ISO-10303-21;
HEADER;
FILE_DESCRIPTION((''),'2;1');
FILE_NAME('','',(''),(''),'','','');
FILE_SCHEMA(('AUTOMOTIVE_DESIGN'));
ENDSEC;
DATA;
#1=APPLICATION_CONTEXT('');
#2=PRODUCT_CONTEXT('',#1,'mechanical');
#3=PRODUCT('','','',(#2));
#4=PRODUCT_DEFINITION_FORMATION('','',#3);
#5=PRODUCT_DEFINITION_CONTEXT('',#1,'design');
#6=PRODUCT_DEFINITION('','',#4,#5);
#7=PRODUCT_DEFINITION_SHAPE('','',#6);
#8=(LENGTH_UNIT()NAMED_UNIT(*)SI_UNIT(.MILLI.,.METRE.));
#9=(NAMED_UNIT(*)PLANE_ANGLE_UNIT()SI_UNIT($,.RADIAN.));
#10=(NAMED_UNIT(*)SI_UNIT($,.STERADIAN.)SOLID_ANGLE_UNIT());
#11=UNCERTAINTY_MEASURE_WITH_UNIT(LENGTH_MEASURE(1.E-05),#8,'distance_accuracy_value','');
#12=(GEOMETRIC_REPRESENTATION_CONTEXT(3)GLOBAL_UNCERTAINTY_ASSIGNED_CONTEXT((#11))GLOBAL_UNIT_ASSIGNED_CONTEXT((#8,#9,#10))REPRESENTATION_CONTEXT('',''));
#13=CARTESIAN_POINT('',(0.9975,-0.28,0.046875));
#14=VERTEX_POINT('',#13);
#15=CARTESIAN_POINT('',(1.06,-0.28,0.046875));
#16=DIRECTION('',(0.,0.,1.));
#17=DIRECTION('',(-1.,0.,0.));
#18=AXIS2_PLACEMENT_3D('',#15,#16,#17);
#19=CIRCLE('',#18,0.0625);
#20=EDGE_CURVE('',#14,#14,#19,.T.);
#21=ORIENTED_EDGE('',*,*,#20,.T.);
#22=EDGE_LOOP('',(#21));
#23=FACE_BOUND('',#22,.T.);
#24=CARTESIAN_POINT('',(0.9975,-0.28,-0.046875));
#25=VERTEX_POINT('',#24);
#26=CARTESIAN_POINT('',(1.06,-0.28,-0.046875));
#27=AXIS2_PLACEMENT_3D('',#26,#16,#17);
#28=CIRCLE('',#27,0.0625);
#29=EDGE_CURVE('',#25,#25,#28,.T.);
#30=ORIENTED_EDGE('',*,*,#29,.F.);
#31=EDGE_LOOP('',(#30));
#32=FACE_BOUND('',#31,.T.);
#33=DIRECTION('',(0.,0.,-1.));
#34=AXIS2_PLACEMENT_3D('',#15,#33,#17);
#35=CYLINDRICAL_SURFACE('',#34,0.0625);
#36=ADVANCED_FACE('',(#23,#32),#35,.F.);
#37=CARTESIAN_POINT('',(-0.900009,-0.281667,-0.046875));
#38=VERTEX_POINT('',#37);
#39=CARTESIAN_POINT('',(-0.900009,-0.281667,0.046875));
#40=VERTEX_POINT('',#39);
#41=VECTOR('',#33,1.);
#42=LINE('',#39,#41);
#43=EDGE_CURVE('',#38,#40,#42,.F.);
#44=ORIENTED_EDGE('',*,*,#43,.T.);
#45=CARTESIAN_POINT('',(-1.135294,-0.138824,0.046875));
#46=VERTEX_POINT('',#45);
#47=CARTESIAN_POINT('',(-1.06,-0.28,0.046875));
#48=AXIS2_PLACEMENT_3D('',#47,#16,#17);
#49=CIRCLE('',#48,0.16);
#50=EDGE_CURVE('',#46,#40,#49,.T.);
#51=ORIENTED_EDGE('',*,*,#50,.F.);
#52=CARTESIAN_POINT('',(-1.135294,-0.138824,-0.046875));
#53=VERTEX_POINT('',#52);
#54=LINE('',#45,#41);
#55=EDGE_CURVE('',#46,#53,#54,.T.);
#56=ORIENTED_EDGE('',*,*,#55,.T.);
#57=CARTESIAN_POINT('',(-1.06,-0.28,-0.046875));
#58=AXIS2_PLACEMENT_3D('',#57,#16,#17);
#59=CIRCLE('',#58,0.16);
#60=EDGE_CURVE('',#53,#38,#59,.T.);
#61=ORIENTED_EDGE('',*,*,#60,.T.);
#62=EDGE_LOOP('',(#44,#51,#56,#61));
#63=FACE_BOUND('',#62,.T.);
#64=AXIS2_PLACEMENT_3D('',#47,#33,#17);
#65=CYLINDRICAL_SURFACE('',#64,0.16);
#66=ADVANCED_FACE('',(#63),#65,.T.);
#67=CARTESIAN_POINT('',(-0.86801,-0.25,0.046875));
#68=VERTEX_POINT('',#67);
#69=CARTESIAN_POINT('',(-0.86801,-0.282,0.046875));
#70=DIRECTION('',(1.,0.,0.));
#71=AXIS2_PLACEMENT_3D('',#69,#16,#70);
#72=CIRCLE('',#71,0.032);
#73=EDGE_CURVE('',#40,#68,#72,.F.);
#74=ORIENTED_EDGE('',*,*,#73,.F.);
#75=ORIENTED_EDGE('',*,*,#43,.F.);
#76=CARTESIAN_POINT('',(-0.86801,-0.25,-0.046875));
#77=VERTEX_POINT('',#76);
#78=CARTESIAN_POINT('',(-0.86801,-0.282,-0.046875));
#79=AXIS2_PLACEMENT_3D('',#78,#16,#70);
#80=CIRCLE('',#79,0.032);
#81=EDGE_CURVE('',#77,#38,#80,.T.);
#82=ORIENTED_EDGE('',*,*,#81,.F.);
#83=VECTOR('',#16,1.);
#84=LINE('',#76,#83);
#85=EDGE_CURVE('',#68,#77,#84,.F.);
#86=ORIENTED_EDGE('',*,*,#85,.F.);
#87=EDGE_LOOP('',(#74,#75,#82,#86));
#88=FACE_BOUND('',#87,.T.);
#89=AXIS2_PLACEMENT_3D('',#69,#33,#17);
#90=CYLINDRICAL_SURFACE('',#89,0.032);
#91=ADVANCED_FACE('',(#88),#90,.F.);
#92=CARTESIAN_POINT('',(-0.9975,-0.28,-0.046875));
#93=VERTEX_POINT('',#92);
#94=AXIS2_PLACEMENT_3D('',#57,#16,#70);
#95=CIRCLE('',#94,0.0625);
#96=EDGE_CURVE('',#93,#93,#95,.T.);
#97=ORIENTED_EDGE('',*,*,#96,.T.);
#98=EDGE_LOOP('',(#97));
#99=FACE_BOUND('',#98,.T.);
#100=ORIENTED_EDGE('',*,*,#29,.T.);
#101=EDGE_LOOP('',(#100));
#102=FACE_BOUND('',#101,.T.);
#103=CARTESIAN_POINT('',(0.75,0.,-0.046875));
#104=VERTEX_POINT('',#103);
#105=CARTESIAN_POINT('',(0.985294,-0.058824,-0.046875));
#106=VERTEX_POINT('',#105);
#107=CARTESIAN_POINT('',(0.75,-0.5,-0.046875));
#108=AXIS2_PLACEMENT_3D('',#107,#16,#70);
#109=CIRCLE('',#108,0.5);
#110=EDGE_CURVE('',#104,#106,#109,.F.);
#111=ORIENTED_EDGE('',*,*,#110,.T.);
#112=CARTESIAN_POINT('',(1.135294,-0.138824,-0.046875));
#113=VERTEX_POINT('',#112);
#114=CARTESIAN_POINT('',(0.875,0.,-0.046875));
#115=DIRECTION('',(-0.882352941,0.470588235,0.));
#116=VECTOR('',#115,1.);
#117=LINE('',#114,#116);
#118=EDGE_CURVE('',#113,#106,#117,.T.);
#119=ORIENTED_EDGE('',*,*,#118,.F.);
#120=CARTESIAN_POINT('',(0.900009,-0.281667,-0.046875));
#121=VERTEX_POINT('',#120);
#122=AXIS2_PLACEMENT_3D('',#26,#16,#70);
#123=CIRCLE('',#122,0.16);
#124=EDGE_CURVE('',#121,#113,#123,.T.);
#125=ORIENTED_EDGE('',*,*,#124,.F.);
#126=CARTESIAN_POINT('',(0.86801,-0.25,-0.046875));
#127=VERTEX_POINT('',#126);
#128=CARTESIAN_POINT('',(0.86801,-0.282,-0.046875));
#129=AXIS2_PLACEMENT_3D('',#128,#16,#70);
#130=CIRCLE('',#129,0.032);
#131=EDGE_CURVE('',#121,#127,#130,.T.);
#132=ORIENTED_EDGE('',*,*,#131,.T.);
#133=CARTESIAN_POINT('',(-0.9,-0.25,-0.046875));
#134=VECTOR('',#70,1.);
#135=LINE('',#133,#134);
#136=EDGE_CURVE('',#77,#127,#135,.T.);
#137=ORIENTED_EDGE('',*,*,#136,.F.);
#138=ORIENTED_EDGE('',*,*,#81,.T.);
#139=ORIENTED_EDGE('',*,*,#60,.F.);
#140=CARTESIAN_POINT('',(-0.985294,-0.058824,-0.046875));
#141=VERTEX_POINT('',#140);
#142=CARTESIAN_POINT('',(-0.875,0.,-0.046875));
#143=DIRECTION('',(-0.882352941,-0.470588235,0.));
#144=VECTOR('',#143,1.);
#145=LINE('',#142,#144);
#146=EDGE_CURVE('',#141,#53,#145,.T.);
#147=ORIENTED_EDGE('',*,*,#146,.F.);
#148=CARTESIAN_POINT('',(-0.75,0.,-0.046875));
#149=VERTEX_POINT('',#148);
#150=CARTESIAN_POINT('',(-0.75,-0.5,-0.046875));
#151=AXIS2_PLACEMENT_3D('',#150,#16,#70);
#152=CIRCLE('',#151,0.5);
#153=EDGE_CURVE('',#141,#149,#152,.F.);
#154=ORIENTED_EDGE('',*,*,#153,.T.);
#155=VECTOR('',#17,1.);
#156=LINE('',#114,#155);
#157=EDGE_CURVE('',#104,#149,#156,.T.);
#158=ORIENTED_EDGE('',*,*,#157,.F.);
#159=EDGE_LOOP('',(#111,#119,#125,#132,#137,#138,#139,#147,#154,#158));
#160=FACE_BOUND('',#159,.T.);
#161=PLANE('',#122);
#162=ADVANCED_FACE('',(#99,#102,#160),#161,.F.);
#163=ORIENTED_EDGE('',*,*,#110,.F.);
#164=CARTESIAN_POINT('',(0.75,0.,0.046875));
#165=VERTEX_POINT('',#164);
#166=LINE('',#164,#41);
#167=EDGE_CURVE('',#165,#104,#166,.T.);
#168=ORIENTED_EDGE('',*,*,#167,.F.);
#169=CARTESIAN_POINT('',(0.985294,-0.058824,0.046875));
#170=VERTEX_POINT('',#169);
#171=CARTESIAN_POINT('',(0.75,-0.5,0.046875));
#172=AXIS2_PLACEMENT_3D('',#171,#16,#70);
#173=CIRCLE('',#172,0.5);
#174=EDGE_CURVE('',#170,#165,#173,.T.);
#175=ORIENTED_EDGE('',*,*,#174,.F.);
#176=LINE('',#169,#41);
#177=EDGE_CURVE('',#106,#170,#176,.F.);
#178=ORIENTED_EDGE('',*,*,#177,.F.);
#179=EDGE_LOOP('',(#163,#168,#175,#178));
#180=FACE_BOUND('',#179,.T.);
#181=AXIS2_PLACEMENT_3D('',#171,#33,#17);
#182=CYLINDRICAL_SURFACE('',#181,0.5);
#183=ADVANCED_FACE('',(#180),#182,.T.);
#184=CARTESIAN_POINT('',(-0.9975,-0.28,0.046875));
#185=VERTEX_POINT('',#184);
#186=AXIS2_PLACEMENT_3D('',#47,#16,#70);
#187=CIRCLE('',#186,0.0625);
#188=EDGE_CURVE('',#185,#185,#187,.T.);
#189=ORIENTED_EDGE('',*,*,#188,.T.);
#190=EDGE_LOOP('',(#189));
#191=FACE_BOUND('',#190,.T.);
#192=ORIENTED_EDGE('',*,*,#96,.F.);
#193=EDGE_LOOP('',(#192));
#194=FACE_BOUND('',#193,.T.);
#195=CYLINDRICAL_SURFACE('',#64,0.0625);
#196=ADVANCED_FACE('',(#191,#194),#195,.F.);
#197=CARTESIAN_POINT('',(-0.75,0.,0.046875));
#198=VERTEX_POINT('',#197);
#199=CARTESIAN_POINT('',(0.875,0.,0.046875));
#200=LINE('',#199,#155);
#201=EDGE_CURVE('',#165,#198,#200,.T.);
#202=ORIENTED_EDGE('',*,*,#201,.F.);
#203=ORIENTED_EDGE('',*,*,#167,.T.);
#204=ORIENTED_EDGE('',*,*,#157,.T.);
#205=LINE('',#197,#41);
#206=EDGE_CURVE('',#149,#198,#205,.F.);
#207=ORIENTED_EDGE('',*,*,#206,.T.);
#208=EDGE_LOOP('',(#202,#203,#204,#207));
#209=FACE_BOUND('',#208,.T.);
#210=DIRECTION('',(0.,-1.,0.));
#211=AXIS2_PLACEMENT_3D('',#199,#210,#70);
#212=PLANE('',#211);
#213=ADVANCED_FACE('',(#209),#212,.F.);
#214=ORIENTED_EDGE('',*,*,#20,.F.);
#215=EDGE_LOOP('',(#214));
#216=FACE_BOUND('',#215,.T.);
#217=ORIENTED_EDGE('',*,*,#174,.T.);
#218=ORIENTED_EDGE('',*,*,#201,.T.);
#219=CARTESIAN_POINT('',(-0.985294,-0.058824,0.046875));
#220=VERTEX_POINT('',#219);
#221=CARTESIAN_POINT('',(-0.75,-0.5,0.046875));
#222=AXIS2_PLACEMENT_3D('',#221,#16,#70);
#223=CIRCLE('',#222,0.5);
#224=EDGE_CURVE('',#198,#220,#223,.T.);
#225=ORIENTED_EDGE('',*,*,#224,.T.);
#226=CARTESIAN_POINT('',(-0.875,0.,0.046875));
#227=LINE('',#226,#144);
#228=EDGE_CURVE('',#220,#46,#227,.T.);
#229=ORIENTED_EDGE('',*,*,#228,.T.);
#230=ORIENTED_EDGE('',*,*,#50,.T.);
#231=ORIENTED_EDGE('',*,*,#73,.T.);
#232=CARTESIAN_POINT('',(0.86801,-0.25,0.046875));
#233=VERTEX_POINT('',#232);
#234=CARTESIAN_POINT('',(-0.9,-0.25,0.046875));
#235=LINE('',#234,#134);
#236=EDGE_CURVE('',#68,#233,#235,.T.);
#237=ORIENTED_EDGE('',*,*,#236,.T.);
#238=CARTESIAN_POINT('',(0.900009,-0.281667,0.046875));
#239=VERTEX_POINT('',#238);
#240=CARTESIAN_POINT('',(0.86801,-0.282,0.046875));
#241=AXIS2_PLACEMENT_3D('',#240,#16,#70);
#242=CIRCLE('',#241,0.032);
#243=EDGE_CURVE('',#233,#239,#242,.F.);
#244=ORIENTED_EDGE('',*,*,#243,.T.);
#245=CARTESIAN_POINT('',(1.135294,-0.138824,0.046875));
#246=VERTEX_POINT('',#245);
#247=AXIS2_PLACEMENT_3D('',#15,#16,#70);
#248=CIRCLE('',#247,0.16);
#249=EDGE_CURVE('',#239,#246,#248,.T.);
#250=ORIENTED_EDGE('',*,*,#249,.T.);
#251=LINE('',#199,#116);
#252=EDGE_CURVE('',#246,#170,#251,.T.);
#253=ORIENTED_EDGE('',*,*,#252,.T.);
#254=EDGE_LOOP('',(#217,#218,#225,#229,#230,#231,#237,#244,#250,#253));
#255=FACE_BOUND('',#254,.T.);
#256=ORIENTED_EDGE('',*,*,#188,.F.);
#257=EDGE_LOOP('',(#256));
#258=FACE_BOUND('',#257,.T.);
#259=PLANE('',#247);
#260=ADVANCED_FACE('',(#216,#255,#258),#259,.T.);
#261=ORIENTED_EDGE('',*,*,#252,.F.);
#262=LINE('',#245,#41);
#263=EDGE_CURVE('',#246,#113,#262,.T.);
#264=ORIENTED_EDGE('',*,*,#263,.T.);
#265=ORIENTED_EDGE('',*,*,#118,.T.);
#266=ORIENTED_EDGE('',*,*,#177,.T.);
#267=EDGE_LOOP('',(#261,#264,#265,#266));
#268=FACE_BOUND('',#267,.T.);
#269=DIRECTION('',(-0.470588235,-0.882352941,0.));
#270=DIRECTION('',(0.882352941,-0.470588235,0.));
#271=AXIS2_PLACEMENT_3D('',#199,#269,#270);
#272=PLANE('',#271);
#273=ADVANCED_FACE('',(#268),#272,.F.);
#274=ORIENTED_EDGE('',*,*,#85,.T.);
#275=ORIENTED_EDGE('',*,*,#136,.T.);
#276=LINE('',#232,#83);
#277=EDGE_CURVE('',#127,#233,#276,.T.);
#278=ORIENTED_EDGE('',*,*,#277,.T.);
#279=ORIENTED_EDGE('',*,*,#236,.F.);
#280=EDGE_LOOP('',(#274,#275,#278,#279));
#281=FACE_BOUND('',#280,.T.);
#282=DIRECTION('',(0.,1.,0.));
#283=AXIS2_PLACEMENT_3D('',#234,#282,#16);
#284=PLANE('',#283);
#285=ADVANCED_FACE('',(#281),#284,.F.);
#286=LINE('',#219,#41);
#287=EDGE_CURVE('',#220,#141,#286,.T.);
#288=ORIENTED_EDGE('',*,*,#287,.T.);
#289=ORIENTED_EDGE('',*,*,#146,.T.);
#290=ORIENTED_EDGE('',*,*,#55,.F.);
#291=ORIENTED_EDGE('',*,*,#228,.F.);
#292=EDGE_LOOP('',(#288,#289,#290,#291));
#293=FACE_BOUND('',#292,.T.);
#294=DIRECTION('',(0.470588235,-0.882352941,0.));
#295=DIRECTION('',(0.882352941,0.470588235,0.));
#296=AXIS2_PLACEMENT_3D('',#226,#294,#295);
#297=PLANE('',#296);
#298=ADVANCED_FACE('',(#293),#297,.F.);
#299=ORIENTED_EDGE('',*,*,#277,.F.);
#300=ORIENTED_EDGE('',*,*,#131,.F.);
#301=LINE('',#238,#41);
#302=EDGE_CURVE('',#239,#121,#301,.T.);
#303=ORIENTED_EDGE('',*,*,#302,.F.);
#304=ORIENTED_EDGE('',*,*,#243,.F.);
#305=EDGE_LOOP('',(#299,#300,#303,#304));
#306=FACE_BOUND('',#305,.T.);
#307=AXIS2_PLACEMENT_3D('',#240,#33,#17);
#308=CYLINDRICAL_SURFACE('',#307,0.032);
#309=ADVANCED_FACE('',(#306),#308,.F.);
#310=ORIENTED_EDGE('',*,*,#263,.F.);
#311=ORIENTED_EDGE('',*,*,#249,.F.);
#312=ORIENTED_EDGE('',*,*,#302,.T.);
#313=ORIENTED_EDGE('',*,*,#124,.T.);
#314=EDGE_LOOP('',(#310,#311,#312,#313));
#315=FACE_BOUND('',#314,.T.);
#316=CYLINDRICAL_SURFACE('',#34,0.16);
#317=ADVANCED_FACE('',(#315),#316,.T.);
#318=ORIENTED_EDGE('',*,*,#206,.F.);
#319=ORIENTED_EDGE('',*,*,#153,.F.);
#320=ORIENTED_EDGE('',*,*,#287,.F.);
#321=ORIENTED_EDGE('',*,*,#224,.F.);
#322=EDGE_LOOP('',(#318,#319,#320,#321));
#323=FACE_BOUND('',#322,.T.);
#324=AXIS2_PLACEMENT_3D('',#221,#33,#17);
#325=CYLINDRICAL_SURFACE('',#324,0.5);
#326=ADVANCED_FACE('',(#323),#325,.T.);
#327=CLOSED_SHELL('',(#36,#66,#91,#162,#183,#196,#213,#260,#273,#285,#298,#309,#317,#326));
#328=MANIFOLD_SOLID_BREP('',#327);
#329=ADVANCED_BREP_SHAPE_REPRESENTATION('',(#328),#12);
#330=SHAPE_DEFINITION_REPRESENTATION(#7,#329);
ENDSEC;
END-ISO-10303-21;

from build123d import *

# Parameters (mm, degrees)
SKETCH1_R           = 0.0625
BOSS_EXTRUDE1_DEPTH = 0.046875
FILLET1_R           = 0.5
FILLET2_R           = 0.032


with BuildPart() as part:
    # Sketch1 → Boss-Extrude1 (new, symmetric)
    with BuildSketch(Plane.XY):
        with BuildLine():
            Line((0.875, 0), (-0.875, 0))
            Line((-0.875, 0), (-1.135294118, -0.138823529))
            ThreePointArc((-1.135294118, -0.138823529), (-1.142319321, -0.417198868), (-0.9, -0.28))
            Line((-0.9, -0.28), (-0.9, -0.25))
            Line((-0.9, -0.25), (0.9, -0.25))
            Line((0.9, -0.25), (0.9, -0.28))
            ThreePointArc((0.9, -0.28), (1.142319321, -0.417198868), (1.135294118, -0.138823529))
            Line((1.135294118, -0.138823529), (0.875, 0))
        make_face()
        with Locations((-1.06, -0.28)):
            Circle(SKETCH1_R, mode=Mode.SUBTRACT)
        with Locations(Location((1.06, -0.28, 0), (0, 0, 180))):
            Circle(SKETCH1_R, mode=Mode.SUBTRACT)
    extrude(amount=BOSS_EXTRUDE1_DEPTH, both=True)

    # Fillet1
    fillet1_edges = [part.edges().sort_by_distance(p)[0] for p in [
        (-0.875, 0, 0),
        (0.875, 0, 0),
    ]]
    fillet(fillet1_edges, radius=FILLET1_R)

    # Fillet2
    fillet2_edges = [part.edges().sort_by_distance(p)[0] for p in [
        (0.9, -0.25, 0),
        (-0.9, -0.25, 0),
    ]]
    fillet(fillet2_edges, radius=FILLET2_R)


solid = part.part
